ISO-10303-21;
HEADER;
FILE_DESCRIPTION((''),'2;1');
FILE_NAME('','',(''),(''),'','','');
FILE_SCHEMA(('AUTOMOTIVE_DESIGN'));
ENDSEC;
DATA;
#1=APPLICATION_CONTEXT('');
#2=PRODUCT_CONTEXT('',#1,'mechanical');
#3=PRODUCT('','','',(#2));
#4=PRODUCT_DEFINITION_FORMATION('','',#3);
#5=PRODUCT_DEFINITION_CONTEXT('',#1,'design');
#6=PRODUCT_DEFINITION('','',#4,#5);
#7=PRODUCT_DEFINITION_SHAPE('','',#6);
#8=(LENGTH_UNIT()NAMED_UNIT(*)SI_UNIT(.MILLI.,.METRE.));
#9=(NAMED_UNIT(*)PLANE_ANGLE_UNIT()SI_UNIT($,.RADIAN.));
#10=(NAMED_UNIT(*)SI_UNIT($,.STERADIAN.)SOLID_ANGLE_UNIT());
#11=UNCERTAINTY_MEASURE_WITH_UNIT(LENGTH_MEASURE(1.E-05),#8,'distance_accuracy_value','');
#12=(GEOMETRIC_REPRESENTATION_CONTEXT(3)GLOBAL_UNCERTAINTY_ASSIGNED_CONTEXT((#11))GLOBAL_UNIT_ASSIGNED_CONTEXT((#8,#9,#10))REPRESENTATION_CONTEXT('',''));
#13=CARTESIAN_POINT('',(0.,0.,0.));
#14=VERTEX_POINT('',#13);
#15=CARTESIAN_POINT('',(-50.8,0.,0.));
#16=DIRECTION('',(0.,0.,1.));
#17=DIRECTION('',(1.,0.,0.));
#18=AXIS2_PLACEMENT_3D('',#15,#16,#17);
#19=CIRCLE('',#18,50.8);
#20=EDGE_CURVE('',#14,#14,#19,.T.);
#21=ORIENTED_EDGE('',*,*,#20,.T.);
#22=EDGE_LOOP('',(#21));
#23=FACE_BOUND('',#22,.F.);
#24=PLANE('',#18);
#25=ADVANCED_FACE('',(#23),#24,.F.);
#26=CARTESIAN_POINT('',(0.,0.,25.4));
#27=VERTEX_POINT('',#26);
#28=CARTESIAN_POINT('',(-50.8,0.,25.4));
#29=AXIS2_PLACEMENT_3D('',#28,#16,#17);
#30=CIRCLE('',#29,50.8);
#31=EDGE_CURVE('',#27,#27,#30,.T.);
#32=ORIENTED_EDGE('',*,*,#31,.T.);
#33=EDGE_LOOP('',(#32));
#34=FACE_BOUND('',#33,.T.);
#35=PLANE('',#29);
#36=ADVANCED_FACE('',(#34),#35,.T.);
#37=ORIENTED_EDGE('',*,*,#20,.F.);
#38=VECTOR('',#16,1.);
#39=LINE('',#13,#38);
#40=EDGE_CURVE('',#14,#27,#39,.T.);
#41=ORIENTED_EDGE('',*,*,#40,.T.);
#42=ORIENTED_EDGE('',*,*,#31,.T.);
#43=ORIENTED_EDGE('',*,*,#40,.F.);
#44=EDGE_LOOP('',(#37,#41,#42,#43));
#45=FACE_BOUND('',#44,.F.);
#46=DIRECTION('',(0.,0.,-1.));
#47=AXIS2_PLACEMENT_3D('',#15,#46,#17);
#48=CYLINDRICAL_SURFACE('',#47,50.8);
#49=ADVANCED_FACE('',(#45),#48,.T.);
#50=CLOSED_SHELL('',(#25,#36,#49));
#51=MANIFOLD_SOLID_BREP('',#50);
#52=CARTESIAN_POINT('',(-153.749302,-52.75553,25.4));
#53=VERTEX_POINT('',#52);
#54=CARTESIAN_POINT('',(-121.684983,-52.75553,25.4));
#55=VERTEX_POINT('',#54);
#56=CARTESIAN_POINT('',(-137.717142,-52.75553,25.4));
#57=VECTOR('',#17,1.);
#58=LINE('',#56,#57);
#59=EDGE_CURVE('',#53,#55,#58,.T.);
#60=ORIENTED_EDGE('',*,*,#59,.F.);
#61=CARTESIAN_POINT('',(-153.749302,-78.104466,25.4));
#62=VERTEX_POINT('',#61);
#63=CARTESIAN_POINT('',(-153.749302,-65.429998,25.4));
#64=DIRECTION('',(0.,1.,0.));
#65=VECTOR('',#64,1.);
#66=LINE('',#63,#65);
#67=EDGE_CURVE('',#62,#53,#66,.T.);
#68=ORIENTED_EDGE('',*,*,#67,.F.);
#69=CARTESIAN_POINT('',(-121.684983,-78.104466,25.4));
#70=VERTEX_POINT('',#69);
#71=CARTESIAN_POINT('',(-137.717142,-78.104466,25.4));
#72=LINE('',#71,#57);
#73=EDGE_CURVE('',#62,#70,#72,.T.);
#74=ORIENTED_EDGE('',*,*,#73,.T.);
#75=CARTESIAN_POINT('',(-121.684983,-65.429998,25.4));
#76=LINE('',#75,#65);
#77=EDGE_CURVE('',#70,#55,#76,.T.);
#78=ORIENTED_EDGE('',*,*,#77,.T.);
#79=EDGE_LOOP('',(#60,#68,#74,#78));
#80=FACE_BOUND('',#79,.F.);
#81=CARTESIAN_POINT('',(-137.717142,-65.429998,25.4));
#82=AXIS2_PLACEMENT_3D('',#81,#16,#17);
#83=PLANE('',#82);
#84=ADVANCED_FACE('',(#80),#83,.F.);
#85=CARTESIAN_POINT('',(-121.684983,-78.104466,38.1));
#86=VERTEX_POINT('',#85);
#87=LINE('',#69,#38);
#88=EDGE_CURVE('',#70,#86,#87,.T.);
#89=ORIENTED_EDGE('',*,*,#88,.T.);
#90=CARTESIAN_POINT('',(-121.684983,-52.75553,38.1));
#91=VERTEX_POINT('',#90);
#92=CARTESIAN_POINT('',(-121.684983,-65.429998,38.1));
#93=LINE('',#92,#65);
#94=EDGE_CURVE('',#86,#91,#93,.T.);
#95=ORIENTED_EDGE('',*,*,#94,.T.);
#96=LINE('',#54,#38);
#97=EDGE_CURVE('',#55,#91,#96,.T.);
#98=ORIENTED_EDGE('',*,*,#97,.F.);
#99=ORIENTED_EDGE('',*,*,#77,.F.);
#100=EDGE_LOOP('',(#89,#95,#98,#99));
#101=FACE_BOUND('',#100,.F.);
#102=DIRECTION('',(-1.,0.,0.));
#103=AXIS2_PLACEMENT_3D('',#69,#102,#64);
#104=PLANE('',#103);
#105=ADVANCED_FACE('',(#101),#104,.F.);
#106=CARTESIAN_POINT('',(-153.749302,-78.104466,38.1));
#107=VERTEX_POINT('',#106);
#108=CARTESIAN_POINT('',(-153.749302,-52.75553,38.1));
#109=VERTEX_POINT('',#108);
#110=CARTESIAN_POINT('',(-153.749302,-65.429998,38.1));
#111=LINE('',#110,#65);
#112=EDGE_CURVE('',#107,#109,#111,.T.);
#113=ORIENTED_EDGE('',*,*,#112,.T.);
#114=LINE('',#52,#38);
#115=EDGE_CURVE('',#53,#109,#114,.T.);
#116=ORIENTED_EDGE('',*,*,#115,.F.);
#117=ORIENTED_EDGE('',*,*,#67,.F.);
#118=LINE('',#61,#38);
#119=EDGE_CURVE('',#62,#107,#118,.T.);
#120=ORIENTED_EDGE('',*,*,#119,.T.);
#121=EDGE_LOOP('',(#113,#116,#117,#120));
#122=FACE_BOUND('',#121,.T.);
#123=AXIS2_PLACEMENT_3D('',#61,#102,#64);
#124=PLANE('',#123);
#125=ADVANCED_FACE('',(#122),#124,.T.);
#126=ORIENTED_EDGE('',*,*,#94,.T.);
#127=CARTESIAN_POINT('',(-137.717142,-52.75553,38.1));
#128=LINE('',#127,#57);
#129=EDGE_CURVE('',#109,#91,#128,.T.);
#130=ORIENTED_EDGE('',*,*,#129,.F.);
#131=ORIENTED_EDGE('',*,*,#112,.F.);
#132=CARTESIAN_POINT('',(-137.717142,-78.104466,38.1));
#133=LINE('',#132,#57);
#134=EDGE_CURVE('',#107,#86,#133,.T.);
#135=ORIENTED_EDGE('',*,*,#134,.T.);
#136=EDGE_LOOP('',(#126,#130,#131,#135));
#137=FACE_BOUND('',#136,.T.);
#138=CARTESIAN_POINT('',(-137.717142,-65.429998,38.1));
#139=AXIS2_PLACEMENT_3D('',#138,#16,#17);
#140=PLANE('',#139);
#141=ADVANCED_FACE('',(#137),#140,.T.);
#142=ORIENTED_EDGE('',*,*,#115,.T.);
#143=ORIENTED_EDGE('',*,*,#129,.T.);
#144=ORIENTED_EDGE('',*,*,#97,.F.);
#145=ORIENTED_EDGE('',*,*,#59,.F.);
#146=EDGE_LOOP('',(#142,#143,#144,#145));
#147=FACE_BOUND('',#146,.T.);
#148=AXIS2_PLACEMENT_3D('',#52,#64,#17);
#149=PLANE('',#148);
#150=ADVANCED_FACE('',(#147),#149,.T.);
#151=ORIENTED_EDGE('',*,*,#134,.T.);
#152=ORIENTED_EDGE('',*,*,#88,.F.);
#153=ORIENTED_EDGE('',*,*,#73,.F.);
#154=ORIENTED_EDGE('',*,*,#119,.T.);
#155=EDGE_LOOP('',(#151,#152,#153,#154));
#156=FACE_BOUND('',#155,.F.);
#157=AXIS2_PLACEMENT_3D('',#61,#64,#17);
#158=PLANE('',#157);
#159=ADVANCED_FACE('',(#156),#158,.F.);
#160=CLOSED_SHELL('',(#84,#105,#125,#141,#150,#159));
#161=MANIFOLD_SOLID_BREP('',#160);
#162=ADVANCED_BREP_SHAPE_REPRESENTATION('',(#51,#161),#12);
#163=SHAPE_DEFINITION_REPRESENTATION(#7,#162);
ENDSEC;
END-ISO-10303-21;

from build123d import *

# Parameters (mm, degrees)
F0_R     = 50.8
F1_DEPTH = 25.4
F2_W     = 32.064319
F2_H     = 25.348935
F3_DEPTH = 12.7


with BuildPart() as f1:
    # F0 (on Top) → F1 (new body)
    with BuildSketch(Plane.XY):
        with Locations((-50.8, 0)):
            Circle(F0_R)
    extrude(amount=F1_DEPTH)


with BuildPart() as f3:
    # F2 (on face) → F3 (new body)
    with BuildSketch(Plane.XY.offset(25.4)):
        with Locations((-137.717142, -65.429998)):
            Rectangle(F2_W, F2_H)
    extrude(amount=F3_DEPTH)


solid = Compound([f1.part, f3.part])
